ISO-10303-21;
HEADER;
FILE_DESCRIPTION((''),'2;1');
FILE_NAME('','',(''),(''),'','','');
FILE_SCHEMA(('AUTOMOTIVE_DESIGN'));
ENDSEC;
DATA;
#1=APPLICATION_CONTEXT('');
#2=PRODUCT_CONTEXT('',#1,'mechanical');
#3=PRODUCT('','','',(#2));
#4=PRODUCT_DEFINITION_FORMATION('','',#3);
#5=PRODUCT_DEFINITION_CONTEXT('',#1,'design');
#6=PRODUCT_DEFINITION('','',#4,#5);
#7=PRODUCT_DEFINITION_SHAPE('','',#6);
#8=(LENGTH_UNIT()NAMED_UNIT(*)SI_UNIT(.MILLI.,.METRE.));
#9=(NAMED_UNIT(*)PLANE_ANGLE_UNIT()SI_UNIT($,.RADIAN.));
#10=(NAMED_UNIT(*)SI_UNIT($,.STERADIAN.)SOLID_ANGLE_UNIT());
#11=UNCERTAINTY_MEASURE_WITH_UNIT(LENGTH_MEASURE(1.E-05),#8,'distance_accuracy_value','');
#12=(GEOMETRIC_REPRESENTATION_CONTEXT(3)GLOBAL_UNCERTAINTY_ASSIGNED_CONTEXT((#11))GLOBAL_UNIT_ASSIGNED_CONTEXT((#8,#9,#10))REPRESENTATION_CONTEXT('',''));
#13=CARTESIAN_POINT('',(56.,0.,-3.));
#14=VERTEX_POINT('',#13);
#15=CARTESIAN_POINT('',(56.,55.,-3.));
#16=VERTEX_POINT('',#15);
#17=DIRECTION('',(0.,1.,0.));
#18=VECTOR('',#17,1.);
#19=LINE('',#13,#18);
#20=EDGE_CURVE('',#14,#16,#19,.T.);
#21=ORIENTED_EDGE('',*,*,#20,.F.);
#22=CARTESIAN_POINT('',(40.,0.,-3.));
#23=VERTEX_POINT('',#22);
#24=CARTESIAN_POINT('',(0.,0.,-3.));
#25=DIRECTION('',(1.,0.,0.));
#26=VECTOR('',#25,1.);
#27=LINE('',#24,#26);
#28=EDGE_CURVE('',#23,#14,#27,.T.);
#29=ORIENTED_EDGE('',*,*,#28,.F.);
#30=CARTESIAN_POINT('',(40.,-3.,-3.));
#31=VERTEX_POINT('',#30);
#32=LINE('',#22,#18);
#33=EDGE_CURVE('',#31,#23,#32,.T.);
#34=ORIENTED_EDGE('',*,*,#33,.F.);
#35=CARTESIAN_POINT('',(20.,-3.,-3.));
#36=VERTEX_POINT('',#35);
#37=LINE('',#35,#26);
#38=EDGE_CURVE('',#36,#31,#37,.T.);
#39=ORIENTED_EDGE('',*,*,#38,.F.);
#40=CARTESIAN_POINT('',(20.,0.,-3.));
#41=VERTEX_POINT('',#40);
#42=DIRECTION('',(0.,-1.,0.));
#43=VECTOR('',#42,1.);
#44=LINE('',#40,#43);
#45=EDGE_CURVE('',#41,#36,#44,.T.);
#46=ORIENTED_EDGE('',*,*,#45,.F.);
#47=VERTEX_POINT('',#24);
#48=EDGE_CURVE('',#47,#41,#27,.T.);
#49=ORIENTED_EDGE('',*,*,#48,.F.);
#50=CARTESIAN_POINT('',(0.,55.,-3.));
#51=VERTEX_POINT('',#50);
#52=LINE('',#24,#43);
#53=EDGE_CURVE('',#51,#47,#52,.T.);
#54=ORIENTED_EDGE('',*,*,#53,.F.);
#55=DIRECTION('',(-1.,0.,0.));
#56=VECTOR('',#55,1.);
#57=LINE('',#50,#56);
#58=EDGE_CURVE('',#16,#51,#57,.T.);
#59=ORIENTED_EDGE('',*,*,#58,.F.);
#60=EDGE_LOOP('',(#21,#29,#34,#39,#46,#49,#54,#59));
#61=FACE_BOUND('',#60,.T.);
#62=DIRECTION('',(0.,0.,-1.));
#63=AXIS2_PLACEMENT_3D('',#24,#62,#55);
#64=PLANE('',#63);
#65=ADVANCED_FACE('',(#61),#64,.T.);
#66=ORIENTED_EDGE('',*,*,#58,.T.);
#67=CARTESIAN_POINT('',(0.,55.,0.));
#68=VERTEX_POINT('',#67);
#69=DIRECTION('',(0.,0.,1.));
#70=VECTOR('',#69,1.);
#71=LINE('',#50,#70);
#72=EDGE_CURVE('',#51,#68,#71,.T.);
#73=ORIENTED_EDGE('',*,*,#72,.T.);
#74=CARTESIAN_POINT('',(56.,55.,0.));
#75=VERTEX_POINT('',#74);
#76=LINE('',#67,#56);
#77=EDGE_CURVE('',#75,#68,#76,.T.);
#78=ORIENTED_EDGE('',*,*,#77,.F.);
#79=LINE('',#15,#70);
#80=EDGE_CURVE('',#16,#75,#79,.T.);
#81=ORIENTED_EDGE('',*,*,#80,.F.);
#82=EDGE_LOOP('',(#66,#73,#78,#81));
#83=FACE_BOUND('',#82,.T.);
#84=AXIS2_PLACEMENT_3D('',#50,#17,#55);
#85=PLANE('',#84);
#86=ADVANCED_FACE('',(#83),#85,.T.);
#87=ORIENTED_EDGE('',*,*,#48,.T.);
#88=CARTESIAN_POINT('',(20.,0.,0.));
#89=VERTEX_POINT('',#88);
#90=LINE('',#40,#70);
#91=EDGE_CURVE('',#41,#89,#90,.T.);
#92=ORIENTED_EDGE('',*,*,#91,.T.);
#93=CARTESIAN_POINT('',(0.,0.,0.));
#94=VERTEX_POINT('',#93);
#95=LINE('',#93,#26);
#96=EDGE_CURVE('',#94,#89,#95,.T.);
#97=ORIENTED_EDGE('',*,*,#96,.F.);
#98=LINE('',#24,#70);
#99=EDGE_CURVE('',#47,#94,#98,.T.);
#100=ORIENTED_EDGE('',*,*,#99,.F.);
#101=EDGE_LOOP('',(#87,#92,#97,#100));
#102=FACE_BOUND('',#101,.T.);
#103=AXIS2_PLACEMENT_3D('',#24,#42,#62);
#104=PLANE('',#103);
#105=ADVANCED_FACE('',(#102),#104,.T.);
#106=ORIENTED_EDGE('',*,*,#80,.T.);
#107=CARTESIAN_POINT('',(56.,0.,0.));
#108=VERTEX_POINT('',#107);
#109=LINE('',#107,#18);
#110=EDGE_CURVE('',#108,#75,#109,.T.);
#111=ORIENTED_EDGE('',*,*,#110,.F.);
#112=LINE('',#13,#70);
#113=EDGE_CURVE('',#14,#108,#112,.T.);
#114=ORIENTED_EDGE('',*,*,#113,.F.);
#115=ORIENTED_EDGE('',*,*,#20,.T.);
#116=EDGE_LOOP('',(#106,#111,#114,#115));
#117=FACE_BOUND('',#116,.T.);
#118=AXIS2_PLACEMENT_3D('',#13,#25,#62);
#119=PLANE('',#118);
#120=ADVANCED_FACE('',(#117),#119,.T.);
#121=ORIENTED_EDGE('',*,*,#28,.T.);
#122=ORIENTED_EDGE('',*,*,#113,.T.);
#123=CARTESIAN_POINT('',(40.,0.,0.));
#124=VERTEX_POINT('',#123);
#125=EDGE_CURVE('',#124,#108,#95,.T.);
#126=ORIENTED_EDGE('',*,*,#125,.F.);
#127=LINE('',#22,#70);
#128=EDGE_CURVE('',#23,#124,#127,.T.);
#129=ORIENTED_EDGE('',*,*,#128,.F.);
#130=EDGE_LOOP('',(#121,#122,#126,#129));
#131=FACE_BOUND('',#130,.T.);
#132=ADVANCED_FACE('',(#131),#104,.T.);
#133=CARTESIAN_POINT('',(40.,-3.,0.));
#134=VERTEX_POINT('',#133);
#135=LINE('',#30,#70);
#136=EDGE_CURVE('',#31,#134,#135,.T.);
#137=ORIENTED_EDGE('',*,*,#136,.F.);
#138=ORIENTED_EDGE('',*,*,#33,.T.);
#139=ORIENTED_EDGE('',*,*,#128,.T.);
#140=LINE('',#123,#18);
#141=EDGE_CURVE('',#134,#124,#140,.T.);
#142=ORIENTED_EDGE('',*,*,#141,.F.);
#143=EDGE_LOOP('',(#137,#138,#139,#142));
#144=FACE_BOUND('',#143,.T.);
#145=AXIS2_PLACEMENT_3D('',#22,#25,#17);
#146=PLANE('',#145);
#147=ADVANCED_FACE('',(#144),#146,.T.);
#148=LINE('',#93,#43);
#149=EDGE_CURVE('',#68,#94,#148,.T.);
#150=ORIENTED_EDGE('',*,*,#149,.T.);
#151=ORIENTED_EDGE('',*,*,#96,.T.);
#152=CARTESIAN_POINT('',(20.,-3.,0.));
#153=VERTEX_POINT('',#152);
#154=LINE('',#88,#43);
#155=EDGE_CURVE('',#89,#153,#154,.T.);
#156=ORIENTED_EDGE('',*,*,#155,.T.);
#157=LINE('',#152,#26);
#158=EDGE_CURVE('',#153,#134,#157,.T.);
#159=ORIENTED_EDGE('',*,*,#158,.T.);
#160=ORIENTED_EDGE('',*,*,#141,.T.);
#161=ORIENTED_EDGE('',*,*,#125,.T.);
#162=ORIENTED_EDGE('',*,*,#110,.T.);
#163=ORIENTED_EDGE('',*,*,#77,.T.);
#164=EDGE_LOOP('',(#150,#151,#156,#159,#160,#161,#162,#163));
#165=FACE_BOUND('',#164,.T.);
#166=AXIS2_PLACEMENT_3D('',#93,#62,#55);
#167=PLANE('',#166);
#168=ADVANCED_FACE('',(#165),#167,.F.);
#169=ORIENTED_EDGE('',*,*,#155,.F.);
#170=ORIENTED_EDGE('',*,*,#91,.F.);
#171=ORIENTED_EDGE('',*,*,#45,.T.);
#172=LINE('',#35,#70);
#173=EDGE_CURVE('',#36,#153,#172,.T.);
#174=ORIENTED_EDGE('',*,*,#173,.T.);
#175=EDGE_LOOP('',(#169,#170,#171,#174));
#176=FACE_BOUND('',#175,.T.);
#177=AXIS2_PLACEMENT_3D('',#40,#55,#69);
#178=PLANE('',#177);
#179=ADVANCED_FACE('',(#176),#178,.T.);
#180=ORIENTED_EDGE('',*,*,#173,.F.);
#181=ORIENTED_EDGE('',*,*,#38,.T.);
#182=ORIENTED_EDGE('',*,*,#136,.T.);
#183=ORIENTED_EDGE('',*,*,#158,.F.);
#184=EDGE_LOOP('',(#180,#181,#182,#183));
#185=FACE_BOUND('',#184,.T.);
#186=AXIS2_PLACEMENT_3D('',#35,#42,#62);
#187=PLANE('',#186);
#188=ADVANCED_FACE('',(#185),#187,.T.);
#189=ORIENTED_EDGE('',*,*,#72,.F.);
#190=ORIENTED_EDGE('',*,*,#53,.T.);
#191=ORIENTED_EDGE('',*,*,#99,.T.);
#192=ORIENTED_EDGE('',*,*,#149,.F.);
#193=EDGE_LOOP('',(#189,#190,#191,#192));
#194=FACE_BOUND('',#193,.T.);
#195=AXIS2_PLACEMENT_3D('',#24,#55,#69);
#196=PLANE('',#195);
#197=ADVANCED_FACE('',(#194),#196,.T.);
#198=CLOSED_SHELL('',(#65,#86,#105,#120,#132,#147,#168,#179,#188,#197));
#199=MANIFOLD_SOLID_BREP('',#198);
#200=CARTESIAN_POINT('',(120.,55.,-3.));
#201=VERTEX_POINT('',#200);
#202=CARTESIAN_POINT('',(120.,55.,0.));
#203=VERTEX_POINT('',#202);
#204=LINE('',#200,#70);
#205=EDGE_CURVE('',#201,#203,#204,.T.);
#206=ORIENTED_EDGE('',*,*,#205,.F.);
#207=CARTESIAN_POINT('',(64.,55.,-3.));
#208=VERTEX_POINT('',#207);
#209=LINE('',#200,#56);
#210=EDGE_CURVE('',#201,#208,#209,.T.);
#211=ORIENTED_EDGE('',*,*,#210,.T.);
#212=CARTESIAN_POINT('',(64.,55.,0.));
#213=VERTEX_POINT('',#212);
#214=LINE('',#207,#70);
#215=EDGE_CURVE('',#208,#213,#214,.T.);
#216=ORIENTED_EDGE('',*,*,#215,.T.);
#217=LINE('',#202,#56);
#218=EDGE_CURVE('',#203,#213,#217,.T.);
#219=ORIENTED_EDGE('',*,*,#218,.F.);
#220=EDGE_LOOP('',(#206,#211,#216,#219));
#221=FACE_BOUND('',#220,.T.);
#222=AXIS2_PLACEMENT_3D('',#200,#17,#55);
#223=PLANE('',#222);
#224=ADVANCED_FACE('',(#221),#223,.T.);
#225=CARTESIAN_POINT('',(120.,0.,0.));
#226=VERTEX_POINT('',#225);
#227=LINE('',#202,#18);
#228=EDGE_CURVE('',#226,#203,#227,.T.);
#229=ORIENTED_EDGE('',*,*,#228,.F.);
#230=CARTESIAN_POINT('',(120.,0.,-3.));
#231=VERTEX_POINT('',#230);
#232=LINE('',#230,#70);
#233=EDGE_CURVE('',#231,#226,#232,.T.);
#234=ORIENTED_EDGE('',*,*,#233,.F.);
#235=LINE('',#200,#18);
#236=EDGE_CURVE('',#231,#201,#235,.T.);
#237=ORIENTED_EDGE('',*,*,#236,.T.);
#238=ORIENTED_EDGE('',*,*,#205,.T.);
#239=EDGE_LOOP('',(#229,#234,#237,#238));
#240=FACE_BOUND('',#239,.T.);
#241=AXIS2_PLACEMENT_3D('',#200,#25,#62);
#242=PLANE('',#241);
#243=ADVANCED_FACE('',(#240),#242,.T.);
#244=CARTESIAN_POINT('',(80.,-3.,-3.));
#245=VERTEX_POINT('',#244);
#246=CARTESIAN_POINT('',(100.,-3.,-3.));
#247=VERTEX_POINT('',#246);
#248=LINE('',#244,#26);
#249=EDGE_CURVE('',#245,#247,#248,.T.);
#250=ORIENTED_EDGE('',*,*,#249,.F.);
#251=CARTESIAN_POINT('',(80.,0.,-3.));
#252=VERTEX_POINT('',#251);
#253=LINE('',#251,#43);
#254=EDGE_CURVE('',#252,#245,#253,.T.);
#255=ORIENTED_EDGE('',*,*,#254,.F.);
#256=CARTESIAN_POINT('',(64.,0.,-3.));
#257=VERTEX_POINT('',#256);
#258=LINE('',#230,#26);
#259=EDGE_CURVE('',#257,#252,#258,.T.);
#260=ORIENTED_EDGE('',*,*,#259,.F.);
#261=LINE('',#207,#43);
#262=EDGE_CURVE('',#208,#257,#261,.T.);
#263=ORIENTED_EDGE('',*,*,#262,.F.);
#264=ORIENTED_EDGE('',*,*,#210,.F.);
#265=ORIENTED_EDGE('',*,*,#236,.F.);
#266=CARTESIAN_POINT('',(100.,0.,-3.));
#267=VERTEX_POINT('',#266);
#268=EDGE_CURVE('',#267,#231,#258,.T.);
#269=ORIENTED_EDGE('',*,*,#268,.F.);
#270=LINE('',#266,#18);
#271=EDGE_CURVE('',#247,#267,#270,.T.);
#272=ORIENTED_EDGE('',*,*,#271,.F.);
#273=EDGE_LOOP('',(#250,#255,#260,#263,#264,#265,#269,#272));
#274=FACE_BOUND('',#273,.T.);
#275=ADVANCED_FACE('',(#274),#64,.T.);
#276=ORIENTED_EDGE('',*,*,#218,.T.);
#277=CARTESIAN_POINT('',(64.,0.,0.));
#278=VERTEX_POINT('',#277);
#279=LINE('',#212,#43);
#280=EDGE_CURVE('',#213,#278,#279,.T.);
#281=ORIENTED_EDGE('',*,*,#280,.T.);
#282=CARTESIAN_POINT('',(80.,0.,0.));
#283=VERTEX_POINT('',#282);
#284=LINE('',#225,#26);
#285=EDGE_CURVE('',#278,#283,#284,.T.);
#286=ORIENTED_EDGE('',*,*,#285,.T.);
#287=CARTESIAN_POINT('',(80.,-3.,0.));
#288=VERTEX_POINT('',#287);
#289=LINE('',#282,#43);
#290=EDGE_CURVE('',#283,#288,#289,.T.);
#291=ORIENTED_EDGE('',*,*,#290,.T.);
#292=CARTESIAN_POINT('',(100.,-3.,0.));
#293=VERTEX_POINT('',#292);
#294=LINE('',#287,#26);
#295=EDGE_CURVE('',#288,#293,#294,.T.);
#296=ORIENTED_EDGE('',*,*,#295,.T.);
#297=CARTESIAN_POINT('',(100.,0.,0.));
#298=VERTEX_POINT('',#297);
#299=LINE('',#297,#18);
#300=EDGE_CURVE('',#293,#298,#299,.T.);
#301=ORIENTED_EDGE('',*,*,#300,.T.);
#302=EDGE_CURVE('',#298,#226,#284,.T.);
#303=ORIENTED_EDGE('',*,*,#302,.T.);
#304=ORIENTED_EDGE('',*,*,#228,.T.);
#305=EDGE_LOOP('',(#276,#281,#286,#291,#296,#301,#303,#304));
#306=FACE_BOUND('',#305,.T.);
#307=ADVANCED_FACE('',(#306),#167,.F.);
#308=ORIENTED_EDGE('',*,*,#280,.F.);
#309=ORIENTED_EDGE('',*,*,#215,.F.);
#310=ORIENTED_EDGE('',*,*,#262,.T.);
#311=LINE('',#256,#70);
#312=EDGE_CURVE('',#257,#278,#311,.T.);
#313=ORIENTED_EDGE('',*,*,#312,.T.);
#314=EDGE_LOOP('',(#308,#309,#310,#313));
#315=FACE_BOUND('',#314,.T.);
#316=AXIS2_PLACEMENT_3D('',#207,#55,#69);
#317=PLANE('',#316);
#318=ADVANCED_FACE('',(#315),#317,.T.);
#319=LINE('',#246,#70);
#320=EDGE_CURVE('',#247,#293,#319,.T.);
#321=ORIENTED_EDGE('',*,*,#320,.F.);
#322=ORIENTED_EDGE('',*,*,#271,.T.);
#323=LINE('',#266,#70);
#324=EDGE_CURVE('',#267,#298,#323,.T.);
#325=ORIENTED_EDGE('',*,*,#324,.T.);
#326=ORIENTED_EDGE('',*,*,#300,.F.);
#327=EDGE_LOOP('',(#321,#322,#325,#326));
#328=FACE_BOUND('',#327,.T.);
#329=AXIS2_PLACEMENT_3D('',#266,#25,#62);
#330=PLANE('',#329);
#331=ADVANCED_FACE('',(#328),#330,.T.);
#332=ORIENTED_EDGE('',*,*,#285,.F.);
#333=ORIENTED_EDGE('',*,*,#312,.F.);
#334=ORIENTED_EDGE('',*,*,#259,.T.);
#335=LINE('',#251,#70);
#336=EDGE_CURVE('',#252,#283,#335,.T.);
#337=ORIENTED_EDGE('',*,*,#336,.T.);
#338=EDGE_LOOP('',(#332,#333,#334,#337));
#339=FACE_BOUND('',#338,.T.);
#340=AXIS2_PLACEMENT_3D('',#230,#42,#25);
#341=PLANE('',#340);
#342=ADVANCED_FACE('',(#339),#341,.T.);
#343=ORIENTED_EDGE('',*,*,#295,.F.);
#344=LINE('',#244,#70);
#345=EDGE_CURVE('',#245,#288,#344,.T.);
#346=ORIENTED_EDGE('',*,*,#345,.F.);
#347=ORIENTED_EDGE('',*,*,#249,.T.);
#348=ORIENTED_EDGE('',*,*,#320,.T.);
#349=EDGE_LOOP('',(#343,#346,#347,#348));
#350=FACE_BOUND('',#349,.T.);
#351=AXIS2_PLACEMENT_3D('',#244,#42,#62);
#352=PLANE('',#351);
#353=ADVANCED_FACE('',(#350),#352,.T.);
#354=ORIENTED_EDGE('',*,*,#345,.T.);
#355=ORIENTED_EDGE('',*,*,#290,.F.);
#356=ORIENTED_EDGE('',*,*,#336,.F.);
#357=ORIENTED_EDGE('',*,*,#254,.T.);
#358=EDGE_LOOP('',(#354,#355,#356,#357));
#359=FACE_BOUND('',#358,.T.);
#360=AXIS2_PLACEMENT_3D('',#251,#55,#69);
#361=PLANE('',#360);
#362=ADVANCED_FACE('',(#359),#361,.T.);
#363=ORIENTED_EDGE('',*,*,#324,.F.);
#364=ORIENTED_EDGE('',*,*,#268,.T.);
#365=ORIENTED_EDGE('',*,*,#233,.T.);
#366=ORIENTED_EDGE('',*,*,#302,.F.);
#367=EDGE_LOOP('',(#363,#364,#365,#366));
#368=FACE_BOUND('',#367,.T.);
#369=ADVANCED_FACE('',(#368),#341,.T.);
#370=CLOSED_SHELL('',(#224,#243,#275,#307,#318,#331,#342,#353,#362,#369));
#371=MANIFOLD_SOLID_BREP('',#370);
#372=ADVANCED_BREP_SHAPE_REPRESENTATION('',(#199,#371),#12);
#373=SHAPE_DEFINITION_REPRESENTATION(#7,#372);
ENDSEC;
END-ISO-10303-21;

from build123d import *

# Parameters (mm, degrees)
SKETCH1_W             = 56
SKETCH1_H             = 55
BOSS_EXTRUDE1_DEPTH   = 3
BOSS_EXTRUDE1_2_DEPTH = 3
SKETCH2_W             = 20
SKETCH2_H             = 3
BOSS_EXTRUDE2_DEPTH   = 3


with BuildPart() as part:
    # Sketch1 → Boss-Extrude1 (new body)
    with BuildSketch(Plane.XY):
        with Locations((28, 27.5)):
            Rectangle(SKETCH1_W, SKETCH1_H)
    extrude(amount=-BOSS_EXTRUDE1_DEPTH)



with BuildPart() as body_2:
    # Sketch1 → Boss-Extrude1 2 (new body)
    with BuildSketch(Plane.XY):
        with Locations((92, 27.5)):
            Rectangle(SKETCH1_W, SKETCH1_H)
    extrude(amount=-BOSS_EXTRUDE1_2_DEPTH)


with BuildPart() as part_1:
    add(part.part)

    add(body_2.part)  # Boss-Extrude2 merges body 2
    # Sketch2 → Boss-Extrude2 (add)
    with BuildSketch(Plane.XY):
        with Locations((30, -1.5)):
            Rectangle(SKETCH2_W, SKETCH2_H)
        with Locations((90, -1.5)):
            Rectangle(SKETCH2_W, SKETCH2_H)
    extrude(amount=-BOSS_EXTRUDE2_DEPTH)


solid = part_1.part
